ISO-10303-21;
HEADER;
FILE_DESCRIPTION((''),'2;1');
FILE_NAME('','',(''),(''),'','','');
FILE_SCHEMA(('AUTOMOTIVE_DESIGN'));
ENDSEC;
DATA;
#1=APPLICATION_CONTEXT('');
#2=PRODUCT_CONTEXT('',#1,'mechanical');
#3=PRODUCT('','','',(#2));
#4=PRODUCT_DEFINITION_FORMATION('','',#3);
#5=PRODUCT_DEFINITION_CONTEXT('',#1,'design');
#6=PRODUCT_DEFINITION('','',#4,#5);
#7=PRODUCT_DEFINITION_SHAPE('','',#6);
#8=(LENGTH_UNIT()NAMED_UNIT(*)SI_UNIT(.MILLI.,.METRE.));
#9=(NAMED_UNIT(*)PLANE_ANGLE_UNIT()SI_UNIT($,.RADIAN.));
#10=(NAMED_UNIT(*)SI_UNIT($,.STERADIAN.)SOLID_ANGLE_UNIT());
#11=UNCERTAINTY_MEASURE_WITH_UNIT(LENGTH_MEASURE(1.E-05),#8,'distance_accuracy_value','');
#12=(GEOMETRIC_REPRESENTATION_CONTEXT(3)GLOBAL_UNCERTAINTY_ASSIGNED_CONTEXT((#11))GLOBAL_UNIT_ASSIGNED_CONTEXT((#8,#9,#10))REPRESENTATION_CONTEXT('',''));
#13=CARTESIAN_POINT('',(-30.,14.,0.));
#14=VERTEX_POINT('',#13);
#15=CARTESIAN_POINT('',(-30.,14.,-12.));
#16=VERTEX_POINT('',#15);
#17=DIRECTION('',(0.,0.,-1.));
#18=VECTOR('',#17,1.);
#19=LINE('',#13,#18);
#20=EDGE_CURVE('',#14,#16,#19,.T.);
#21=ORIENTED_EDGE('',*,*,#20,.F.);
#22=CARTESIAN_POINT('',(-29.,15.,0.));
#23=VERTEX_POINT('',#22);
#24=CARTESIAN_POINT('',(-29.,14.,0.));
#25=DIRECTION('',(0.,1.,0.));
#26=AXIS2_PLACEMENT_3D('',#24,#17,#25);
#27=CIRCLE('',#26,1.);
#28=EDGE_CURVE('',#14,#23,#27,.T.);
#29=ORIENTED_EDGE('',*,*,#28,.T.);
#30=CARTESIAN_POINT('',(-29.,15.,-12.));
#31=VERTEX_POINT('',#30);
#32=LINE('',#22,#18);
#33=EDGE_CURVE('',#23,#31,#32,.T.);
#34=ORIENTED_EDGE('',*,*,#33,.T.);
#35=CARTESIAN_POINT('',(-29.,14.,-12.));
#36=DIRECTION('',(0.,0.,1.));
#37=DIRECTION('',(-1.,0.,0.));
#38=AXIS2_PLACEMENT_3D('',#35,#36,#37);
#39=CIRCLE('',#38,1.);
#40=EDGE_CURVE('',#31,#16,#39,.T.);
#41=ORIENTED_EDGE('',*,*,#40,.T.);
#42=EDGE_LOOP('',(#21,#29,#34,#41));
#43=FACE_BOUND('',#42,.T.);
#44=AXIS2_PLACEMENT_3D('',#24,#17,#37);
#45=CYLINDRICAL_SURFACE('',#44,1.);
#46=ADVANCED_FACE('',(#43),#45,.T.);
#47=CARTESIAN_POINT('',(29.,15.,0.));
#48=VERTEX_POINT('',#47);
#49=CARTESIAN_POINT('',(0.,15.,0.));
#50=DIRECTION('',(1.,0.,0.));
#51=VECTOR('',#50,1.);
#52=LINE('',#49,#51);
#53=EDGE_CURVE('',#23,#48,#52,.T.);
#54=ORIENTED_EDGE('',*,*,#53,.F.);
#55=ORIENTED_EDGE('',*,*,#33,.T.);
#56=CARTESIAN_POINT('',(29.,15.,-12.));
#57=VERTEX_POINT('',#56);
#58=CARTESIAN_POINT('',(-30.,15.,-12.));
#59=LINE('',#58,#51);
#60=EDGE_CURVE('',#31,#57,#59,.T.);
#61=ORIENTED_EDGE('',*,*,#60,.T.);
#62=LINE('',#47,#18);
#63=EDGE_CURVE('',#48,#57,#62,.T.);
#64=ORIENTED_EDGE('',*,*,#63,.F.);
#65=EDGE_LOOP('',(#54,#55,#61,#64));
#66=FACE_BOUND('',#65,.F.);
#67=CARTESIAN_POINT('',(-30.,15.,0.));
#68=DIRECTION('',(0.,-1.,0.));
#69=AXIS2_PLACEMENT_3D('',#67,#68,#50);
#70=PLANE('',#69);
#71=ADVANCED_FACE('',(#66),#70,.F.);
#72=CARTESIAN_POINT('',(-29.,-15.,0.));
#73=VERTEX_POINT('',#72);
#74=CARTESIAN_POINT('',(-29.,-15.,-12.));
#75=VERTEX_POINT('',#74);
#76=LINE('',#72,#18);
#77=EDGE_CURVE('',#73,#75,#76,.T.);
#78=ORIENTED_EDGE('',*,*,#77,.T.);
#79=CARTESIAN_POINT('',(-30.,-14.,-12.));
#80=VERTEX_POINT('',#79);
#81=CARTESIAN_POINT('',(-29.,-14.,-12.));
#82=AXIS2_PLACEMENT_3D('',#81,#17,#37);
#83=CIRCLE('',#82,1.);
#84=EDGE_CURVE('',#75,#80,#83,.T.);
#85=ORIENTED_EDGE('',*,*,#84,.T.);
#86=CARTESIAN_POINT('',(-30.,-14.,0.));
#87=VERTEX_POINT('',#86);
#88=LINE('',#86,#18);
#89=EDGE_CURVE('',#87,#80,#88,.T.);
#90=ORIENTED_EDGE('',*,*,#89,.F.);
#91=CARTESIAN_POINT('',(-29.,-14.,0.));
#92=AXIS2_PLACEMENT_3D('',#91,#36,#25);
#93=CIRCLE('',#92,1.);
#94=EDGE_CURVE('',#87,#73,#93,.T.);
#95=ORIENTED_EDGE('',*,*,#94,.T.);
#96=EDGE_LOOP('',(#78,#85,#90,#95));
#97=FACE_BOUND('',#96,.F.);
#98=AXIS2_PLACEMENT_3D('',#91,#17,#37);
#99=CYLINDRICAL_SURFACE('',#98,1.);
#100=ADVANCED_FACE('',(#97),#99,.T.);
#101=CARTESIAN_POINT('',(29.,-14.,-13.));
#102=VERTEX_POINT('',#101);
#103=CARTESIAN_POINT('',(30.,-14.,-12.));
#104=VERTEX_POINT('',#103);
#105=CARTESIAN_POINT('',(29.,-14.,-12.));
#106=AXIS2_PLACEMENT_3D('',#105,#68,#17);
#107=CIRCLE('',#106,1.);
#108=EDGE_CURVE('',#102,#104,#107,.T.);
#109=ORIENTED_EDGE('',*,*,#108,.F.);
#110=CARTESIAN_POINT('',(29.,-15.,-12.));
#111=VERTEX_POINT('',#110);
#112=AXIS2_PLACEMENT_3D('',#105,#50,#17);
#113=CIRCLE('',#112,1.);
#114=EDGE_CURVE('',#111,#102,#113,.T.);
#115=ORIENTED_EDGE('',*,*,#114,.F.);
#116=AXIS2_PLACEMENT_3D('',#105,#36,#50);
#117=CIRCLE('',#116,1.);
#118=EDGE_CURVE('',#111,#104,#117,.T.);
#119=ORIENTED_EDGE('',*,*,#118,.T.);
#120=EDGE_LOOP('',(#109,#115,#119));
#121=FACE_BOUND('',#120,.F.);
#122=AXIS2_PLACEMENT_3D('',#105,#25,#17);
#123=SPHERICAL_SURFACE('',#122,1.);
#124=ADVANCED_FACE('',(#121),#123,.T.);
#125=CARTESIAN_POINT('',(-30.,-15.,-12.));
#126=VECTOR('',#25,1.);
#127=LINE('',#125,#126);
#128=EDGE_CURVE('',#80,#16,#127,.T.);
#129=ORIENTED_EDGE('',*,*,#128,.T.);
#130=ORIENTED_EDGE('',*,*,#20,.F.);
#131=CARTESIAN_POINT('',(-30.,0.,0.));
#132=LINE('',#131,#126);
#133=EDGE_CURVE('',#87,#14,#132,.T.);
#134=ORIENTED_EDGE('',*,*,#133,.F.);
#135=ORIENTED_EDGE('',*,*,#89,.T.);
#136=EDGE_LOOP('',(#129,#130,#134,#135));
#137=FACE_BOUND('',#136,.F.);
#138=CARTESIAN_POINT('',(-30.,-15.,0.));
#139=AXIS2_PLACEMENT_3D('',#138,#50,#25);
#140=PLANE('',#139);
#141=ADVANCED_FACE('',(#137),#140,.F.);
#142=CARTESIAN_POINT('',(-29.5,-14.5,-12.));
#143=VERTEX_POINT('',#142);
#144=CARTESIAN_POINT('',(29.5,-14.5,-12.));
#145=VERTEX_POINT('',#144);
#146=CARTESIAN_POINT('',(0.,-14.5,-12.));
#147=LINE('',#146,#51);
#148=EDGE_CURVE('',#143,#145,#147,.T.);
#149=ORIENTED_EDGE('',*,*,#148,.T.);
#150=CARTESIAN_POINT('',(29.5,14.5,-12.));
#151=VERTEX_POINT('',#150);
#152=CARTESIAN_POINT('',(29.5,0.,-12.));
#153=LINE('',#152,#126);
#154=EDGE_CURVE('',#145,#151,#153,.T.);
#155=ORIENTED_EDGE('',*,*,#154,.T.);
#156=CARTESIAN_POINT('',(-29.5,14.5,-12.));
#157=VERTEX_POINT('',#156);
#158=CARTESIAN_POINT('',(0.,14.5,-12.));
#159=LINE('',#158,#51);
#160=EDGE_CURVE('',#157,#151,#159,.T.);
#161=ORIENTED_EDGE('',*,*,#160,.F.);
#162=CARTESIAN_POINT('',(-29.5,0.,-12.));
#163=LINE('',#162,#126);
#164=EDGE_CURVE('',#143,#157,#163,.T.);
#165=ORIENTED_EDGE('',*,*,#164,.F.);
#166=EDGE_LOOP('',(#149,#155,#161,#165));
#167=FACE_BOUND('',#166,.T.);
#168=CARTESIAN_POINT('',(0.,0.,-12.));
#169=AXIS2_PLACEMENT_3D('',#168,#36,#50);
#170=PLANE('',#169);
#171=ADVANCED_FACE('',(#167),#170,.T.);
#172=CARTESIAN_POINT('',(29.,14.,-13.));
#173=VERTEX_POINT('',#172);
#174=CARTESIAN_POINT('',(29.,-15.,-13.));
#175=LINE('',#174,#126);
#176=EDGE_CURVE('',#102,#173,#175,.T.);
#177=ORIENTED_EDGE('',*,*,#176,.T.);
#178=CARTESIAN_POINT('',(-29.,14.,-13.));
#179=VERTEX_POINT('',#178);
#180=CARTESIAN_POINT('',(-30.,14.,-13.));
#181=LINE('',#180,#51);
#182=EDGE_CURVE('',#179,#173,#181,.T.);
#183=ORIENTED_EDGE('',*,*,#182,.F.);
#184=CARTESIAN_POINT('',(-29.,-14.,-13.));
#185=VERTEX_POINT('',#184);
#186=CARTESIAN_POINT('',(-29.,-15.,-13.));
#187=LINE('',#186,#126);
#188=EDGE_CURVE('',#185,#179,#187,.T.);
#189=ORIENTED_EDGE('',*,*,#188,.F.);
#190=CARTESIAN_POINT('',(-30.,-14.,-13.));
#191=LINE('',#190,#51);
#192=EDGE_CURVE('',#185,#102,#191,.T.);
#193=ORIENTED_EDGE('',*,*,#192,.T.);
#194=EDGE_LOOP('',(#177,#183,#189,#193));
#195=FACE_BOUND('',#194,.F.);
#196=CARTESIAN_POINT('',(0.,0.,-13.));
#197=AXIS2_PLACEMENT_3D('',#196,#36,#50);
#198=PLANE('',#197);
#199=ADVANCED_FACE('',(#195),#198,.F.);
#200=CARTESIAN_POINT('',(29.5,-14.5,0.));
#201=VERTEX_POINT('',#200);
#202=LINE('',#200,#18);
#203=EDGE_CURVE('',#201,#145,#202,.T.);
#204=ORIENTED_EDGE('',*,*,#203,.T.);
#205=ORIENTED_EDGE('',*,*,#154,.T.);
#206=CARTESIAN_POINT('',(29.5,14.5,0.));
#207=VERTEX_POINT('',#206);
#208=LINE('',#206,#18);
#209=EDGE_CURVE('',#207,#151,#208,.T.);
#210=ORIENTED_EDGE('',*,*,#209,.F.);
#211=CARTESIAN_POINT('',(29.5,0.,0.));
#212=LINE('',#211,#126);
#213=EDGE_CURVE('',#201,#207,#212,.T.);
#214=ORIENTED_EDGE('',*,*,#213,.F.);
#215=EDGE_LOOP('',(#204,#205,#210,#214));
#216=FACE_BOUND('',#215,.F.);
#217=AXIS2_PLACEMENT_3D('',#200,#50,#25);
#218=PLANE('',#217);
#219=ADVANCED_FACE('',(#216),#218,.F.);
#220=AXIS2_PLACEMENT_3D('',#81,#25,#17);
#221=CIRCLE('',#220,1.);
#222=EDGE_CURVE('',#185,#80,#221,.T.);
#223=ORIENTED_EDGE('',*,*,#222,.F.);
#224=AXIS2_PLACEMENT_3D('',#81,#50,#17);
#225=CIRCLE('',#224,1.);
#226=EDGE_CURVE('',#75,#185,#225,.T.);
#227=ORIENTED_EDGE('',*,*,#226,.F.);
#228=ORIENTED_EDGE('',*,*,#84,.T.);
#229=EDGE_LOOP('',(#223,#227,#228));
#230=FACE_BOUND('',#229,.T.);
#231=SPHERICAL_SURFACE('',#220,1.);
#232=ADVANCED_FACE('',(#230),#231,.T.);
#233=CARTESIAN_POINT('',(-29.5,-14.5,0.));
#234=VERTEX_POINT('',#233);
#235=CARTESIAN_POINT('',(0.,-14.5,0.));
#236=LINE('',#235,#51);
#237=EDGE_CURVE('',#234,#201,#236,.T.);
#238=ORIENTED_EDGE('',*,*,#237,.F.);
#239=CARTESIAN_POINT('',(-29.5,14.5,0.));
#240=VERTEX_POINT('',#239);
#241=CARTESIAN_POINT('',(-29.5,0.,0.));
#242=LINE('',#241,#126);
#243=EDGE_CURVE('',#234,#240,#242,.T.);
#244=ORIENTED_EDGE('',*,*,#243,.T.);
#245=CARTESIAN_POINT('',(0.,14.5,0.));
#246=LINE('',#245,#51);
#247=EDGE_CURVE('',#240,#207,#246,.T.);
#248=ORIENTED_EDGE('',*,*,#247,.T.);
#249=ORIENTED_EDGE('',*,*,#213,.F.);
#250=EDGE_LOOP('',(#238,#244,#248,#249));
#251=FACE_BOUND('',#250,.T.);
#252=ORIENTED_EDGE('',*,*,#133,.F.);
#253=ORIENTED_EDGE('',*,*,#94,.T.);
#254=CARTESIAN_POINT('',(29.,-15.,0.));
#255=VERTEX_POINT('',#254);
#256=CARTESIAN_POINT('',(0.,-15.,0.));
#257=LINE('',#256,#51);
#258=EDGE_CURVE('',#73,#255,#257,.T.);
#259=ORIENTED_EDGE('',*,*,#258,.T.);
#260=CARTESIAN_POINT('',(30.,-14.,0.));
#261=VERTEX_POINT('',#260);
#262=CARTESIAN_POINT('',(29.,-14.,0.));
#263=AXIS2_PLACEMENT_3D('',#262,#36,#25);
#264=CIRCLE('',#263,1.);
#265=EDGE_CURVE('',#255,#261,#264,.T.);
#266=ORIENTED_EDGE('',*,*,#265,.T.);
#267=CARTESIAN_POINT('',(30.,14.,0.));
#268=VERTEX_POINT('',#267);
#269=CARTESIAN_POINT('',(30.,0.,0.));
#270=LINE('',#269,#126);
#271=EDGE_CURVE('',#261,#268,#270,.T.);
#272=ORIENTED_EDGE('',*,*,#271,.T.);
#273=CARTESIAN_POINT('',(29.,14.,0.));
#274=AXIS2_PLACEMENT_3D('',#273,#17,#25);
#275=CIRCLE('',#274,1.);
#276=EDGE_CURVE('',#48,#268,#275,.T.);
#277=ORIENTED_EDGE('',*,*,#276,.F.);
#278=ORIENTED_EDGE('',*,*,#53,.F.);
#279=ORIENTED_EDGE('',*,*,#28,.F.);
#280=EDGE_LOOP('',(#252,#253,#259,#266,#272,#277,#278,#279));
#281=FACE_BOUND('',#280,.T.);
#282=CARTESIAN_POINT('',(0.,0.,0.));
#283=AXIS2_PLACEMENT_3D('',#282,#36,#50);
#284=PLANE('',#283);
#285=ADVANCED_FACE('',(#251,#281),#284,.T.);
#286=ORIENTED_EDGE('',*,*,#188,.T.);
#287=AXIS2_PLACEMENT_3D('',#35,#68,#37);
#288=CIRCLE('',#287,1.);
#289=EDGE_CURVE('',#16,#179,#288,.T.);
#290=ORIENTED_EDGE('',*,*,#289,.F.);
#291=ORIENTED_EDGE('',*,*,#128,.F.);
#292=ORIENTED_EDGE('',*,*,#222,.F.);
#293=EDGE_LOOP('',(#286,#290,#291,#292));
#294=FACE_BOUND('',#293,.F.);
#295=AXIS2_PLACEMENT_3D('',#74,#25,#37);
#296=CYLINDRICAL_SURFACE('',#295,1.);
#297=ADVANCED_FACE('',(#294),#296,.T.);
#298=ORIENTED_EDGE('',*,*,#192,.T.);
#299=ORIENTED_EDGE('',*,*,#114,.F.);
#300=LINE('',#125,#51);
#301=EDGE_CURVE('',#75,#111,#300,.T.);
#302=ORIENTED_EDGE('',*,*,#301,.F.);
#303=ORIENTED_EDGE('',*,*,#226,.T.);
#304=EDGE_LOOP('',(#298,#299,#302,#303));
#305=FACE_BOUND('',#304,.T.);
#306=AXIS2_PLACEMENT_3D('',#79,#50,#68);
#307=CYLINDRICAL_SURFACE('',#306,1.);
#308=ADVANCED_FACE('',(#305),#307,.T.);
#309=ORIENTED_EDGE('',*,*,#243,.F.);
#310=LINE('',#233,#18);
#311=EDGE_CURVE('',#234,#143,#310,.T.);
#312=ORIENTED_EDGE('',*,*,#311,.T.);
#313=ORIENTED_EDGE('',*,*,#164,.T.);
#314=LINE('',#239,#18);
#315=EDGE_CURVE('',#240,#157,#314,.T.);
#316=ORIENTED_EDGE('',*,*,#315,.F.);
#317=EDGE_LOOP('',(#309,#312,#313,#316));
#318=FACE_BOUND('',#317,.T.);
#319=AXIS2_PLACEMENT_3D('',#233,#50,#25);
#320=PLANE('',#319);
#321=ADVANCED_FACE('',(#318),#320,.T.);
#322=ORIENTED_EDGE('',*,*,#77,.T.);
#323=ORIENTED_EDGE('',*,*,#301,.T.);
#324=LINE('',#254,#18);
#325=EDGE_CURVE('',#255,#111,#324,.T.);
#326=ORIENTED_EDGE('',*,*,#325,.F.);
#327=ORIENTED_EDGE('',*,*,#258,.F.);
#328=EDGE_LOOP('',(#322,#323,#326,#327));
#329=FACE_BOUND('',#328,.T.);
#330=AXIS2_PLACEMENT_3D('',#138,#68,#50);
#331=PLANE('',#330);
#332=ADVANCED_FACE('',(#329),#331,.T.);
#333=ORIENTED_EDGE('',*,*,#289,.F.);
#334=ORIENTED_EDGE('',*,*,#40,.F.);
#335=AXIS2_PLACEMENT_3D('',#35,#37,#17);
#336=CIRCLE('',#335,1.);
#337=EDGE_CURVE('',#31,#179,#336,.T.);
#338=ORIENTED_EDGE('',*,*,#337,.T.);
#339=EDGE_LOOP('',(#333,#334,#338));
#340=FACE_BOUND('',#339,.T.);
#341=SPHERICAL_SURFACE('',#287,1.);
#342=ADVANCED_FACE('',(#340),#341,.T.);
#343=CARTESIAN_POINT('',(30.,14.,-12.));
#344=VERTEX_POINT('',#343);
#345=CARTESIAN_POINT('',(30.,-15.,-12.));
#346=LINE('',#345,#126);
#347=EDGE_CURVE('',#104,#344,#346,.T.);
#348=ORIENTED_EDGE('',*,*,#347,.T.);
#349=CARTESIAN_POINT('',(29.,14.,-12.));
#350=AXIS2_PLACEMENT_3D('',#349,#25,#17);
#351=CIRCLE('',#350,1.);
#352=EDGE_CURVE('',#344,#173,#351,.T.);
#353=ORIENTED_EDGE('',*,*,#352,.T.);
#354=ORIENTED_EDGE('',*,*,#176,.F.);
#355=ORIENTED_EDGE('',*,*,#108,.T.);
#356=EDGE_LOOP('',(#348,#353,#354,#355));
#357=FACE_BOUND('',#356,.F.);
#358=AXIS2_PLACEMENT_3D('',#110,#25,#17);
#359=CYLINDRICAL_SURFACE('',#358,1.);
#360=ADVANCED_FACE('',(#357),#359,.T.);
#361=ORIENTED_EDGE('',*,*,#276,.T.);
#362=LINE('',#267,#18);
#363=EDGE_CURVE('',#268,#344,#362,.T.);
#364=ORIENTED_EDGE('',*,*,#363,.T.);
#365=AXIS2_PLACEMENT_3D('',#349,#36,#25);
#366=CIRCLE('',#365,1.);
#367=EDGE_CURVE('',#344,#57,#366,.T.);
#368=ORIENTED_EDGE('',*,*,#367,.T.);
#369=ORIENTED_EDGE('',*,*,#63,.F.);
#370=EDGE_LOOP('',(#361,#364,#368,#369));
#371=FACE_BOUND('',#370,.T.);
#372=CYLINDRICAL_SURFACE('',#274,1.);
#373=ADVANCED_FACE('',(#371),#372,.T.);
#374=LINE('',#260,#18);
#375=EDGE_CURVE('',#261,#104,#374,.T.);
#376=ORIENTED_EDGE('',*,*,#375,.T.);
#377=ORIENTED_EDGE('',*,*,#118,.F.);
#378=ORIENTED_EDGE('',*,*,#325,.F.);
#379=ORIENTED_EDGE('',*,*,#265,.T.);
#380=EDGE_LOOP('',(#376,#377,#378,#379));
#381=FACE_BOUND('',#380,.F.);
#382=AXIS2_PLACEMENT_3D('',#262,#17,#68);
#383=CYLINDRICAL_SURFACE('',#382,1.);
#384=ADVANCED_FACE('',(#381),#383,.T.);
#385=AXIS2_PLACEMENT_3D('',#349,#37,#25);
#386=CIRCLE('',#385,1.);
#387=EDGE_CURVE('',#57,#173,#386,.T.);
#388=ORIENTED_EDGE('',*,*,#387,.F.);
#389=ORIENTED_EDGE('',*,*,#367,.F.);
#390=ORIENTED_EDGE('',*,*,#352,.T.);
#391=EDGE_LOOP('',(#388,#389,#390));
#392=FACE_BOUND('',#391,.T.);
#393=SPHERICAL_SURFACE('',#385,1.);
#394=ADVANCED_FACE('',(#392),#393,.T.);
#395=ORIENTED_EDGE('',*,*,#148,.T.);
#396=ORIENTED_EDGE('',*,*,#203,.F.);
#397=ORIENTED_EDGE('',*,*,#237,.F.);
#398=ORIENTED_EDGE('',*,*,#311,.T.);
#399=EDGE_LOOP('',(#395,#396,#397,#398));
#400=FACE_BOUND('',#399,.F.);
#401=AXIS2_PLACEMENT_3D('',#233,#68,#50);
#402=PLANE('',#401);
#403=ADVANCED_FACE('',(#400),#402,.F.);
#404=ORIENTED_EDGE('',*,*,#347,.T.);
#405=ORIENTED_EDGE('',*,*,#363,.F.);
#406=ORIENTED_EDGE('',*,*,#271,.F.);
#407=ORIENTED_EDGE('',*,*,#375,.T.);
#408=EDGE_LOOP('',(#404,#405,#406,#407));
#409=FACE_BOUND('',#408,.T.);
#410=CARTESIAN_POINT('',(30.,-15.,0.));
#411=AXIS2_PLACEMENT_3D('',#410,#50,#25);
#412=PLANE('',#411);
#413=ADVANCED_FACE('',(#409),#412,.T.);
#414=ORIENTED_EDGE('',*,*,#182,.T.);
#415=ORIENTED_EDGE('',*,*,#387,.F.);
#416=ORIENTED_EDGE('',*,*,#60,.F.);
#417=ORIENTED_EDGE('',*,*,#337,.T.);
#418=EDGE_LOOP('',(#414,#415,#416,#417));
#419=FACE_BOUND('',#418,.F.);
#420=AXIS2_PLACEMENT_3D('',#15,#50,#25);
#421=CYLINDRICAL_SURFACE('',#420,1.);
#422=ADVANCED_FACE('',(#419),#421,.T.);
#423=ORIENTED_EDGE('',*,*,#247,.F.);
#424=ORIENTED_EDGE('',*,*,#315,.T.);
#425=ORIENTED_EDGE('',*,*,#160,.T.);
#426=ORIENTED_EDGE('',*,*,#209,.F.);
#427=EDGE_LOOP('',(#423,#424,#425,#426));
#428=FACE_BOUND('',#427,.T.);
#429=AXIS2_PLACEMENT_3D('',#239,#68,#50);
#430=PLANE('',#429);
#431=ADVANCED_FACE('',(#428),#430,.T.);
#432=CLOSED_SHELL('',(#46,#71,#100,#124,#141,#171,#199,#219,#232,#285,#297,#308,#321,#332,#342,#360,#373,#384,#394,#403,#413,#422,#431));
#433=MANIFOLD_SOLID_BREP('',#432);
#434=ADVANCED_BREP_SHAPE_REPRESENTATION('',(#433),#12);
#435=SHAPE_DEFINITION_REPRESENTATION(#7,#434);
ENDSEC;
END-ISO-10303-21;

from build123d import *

# Parameters (mm, degrees)
F0_W     = 60
F0_H     = 30
F0_W_2   = 59
F0_H_2   = 29
F1_DEPTH = 13
F2_DEPTH = 12
F3_R     = 1


with BuildPart() as f1:
    # F0 (on Top) → F1 (new body)
    with BuildSketch(Plane.XY):
        Rectangle(F0_W, F0_H)
        Rectangle(F0_W_2, F0_H_2, mode=Mode.SUBTRACT)
        Rectangle(F0_W_2, F0_H_2)
    extrude(amount=-F1_DEPTH)

    # F0 (on Top) → F2 (cut)
    with BuildSketch(Plane.XY):
        Rectangle(F0_W_2, F0_H_2)
    extrude(amount=-F2_DEPTH, mode=Mode.SUBTRACT)

    # F3
    f3_edges = [f1.edges().sort_by_distance(p)[0] for p in [
        (-30, 0, -13),
        (-30, 15, -6.5),
        (0, 15, -13),
        (30, 15, -6.5),
        (30, 0, -13),
        (0, -15, -13),
        (30, -15, -6.5),
        (-30, -15, -6.5),
    ]]
    fillet(f3_edges, radius=F3_R)


solid = f1.part
